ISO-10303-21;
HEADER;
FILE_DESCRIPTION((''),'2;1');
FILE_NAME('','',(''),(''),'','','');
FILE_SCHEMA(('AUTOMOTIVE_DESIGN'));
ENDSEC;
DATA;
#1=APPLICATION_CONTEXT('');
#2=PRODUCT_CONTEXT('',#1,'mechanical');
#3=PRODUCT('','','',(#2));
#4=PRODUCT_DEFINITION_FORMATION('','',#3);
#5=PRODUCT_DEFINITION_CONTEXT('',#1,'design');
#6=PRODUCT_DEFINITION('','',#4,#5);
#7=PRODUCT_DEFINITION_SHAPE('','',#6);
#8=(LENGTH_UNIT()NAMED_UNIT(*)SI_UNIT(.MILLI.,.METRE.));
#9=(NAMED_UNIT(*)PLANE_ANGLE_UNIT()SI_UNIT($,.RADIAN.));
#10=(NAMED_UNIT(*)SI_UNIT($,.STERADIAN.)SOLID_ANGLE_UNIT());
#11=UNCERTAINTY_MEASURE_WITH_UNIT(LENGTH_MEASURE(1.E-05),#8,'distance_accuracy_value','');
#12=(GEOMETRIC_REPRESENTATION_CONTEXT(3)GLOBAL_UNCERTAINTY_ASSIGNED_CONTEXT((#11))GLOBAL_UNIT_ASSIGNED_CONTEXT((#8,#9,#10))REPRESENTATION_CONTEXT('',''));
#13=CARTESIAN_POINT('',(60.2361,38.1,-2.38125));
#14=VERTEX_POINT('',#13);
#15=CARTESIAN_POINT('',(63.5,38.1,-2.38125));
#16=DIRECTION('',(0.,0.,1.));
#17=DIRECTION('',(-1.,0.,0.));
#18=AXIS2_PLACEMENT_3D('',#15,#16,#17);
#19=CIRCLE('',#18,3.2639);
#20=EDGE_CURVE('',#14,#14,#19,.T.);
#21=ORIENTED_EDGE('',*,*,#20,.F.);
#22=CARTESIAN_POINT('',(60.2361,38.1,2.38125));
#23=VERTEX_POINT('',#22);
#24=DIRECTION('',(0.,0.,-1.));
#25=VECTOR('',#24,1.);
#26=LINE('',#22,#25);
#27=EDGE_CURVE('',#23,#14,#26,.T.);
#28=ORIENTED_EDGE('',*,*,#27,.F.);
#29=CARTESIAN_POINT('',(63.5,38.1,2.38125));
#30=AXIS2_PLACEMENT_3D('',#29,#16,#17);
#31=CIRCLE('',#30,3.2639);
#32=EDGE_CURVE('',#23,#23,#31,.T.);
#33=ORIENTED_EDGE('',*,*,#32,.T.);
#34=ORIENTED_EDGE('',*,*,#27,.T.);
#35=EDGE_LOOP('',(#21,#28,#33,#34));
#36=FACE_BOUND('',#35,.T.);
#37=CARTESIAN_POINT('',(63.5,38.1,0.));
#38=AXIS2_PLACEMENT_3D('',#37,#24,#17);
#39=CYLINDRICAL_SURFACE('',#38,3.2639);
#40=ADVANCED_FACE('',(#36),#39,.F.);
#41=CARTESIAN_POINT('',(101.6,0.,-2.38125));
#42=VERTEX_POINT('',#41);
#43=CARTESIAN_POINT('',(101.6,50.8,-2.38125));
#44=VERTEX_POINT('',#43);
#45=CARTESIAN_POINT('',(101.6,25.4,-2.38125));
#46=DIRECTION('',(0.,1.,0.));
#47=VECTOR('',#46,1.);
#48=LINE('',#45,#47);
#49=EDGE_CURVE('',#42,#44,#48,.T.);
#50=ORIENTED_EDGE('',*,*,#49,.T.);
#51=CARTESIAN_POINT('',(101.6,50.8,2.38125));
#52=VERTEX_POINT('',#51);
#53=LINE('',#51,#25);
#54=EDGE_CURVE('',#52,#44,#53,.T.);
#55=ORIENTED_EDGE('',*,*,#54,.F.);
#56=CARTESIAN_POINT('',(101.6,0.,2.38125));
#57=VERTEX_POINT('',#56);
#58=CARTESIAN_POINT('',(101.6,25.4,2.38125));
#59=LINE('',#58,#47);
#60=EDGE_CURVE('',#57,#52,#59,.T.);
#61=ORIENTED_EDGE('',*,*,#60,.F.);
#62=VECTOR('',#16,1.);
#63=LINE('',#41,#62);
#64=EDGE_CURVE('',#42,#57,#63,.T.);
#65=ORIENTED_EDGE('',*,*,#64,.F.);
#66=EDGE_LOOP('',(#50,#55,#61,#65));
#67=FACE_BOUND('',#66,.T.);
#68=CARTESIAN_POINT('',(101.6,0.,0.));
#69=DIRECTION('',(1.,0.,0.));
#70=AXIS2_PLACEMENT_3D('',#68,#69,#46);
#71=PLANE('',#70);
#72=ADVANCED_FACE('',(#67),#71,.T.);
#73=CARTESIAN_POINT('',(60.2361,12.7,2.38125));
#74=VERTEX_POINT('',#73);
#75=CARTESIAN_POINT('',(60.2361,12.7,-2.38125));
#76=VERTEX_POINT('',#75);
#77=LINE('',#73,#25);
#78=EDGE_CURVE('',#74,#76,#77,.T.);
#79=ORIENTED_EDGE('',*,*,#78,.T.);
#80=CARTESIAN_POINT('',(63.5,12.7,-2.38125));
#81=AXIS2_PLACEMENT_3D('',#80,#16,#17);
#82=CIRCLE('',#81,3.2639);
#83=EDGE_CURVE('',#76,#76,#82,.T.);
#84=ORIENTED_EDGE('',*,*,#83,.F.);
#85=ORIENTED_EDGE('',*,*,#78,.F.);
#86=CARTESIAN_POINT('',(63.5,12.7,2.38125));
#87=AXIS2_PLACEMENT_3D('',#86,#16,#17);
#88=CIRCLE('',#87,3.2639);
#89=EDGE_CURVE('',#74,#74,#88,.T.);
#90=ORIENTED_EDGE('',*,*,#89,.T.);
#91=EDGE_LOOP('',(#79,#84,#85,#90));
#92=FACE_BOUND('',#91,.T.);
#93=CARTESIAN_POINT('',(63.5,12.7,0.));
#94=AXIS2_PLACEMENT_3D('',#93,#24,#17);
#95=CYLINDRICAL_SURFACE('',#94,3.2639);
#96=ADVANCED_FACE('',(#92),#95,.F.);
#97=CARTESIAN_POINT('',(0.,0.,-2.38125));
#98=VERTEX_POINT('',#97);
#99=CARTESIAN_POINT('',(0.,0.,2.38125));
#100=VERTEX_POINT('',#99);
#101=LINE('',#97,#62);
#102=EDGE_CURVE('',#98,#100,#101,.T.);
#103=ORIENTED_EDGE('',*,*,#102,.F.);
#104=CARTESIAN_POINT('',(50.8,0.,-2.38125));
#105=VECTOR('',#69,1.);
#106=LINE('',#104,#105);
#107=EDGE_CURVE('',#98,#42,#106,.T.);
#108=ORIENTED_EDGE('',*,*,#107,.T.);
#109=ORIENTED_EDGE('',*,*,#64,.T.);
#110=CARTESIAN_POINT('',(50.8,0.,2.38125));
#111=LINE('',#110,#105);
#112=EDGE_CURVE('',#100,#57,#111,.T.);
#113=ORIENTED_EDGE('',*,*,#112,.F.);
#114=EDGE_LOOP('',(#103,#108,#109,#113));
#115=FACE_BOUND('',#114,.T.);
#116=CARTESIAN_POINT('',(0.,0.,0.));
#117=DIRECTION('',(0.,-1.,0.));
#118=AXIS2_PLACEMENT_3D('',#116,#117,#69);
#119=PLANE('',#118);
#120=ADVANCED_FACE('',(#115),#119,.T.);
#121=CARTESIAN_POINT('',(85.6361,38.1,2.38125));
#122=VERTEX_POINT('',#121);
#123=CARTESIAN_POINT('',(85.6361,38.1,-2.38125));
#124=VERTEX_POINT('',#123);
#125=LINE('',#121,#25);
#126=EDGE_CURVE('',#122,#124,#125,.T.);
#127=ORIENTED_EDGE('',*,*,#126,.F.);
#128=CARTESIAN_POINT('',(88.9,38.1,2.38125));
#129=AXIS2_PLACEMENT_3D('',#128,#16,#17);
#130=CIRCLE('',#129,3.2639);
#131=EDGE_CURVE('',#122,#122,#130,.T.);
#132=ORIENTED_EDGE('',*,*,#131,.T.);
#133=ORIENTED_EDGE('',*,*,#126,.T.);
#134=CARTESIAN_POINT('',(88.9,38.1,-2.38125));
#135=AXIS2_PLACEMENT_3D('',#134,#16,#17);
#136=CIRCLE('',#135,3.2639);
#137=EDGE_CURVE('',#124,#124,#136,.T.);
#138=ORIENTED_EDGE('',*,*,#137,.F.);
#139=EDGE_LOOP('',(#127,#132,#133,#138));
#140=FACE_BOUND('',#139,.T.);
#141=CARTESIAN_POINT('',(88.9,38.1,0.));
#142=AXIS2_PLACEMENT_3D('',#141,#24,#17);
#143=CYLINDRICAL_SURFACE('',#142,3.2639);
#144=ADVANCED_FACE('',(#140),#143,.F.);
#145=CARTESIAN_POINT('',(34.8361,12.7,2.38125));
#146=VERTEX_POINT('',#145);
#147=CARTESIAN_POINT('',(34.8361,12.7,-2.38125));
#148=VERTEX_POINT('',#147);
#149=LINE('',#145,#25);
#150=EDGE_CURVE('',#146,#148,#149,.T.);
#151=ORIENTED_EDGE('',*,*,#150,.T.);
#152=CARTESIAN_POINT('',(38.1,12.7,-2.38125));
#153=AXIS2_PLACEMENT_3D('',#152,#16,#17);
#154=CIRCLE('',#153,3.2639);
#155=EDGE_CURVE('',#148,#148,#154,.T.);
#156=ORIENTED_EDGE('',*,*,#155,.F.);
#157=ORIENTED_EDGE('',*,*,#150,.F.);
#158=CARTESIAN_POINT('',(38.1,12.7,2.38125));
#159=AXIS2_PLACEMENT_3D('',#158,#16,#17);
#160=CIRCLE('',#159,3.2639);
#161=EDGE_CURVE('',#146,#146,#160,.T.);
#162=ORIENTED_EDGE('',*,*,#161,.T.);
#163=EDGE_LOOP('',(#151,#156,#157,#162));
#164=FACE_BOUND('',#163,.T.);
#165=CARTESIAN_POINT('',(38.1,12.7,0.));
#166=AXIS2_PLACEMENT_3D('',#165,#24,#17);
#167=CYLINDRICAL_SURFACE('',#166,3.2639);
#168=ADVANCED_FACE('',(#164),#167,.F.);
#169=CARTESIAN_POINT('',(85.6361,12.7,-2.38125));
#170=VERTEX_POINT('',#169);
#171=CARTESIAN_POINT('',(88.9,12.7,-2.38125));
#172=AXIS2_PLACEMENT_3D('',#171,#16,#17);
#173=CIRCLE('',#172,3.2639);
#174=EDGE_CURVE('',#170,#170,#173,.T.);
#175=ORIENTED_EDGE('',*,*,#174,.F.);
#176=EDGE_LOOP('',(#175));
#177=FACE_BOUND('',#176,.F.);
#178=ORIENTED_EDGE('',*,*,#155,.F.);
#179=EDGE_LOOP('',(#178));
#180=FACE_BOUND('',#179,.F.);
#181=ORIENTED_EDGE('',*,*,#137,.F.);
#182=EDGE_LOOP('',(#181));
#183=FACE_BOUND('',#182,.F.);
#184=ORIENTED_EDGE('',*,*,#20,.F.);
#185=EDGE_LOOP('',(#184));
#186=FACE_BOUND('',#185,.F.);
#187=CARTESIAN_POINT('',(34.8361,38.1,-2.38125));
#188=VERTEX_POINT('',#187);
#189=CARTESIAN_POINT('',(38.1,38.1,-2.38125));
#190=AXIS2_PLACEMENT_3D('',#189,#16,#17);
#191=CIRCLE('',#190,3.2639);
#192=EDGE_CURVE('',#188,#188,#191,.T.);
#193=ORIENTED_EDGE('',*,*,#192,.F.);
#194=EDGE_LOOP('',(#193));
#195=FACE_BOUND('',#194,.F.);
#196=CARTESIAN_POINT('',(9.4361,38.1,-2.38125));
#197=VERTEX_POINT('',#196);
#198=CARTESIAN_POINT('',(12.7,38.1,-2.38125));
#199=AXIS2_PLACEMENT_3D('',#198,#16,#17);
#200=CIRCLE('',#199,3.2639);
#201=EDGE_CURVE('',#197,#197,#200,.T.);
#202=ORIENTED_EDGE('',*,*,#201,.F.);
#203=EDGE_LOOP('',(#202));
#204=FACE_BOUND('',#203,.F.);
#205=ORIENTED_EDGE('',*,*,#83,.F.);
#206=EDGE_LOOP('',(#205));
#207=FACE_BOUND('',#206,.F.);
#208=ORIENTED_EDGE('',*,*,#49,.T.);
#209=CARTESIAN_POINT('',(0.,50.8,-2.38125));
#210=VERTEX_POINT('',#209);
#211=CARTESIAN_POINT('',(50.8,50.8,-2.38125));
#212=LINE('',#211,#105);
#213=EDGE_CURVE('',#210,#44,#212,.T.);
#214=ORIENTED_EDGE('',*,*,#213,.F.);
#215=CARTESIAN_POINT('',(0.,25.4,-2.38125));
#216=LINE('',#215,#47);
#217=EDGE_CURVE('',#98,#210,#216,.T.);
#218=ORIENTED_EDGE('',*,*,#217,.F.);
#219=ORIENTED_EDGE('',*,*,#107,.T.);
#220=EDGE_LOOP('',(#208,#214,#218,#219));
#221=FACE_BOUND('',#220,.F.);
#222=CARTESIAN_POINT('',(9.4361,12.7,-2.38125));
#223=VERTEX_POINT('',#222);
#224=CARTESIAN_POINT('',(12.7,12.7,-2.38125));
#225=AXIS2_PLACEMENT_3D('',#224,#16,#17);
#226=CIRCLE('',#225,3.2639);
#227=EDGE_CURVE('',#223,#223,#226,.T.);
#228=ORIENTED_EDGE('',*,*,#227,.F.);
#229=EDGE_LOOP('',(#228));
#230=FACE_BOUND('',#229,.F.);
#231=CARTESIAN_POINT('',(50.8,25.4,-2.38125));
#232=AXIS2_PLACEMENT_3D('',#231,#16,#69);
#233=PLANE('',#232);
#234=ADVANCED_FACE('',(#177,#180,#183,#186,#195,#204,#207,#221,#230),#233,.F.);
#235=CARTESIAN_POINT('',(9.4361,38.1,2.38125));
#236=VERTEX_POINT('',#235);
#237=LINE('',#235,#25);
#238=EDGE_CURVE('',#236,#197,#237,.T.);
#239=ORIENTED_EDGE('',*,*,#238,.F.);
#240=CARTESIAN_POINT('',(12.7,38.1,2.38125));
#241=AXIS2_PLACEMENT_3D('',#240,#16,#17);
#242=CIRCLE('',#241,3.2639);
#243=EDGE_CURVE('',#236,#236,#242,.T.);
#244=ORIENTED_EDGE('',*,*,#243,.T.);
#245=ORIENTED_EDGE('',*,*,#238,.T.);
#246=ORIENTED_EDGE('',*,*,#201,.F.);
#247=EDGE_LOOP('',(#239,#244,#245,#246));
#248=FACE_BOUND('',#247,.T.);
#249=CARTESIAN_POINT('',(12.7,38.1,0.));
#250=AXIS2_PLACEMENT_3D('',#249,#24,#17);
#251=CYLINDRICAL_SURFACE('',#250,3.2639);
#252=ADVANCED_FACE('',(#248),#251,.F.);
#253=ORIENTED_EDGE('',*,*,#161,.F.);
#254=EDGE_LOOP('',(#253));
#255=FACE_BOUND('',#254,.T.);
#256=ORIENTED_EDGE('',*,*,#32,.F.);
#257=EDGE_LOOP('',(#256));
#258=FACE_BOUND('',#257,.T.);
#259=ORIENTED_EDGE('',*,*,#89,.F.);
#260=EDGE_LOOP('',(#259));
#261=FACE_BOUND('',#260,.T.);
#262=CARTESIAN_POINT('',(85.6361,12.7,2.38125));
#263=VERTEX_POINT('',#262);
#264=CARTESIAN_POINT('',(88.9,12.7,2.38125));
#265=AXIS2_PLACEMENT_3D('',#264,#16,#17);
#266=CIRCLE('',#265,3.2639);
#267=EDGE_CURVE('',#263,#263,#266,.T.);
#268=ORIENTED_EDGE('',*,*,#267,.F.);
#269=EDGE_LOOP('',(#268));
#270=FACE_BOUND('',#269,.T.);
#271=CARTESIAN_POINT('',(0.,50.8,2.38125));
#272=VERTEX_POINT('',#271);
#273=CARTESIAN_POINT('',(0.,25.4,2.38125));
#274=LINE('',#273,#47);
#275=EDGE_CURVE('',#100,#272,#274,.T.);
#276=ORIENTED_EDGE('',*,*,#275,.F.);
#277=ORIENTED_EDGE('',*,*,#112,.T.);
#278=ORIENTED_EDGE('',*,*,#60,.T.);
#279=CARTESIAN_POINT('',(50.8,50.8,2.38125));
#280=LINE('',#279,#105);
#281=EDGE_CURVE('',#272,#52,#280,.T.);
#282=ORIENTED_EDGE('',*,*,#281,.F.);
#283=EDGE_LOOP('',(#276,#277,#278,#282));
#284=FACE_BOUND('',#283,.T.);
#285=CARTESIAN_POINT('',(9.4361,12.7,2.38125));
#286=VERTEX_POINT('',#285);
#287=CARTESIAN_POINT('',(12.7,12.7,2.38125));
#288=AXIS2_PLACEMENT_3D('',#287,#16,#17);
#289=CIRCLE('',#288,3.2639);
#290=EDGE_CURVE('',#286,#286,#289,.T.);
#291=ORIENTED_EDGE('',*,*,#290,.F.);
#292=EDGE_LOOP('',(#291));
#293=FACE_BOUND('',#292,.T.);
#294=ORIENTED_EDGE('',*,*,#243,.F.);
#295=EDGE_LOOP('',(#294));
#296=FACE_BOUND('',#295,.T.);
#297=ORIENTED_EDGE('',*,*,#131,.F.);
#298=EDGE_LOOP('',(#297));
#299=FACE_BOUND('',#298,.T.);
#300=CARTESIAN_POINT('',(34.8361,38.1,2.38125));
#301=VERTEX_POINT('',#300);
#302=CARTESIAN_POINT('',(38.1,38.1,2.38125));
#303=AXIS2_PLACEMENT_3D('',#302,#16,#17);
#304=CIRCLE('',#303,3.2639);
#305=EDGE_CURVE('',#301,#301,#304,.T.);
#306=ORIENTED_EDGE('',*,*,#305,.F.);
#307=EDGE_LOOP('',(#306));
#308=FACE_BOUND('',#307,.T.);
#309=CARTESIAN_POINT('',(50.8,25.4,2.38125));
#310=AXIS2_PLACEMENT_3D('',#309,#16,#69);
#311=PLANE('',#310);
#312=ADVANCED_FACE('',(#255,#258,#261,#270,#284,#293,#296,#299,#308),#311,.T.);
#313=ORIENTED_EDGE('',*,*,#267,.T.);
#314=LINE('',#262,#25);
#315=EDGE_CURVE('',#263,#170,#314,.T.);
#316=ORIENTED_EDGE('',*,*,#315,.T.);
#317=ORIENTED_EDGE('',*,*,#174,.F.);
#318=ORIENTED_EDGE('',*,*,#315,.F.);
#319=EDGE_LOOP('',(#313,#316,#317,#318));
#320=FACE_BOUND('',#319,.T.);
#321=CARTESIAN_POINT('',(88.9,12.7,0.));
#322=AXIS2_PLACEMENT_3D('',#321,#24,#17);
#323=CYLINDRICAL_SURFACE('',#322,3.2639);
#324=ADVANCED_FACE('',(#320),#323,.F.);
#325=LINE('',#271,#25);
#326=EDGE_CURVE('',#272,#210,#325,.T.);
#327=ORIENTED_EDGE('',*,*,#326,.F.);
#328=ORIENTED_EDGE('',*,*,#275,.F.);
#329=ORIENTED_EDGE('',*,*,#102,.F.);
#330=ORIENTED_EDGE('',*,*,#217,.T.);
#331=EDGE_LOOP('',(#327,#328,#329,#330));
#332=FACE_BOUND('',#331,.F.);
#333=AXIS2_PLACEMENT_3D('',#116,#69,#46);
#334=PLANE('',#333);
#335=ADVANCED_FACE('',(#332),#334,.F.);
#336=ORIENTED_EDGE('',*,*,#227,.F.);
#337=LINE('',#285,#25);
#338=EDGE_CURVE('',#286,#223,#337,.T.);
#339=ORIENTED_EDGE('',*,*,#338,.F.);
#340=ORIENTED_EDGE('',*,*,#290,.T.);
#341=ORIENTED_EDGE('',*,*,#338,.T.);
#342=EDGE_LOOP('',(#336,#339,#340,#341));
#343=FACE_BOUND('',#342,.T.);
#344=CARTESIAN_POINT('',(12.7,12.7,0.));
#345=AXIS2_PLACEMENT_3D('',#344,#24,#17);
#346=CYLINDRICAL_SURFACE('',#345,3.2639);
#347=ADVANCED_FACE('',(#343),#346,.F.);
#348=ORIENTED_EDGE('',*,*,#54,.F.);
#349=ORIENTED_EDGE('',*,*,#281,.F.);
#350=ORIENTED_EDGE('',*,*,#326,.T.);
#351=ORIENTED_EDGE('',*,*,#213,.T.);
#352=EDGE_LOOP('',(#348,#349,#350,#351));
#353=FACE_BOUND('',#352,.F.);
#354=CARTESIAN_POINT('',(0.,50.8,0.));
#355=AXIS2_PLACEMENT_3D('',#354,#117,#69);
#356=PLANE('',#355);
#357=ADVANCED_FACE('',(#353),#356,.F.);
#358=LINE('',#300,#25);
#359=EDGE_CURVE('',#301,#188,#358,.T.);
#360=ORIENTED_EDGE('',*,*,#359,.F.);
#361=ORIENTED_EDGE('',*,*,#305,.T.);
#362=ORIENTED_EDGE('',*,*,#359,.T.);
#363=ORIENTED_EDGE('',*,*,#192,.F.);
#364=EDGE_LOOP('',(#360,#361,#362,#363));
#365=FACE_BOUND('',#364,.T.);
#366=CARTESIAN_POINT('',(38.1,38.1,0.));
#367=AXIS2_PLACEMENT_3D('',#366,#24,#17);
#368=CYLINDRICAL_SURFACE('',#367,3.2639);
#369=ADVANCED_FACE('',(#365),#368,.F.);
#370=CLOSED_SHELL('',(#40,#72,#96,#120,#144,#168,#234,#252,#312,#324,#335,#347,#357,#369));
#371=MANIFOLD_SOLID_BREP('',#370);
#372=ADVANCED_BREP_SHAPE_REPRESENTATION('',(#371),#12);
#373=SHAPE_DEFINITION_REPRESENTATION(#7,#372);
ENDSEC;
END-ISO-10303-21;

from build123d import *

# Parameters (mm, degrees)
SKETCH1_W           = 101.6
SKETCH1_H           = 50.8
SKETCH1_R           = 3.2639
BOSS_EXTRUDE1_DEPTH = 2.38125


with BuildPart() as part:
    # Sketch1 → Boss-Extrude1 (new, symmetric)
    with BuildSketch(Plane.XY):
        with Locations((50.8, 25.4)):
            Rectangle(SKETCH1_W, SKETCH1_H)
        with Locations(Location((12.7, 12.7, 0), (0, 0, 180))):
            Circle(SKETCH1_R, mode=Mode.SUBTRACT)
        with Locations(Location((38.1, 12.7, 0), (0, 0, 180))):
            Circle(SKETCH1_R, mode=Mode.SUBTRACT)
        with Locations(Location((63.5, 12.7, 0), (0, 0, 180))):
            Circle(SKETCH1_R, mode=Mode.SUBTRACT)
        with Locations(Location((88.9, 12.7, 0), (0, 0, 180))):
            Circle(SKETCH1_R, mode=Mode.SUBTRACT)
        with Locations(Location((12.7, 38.1, 0), (0, 0, 180))):
            Circle(SKETCH1_R, mode=Mode.SUBTRACT)
        with Locations(Location((38.1, 38.1, 0), (0, 0, 180))):
            Circle(SKETCH1_R, mode=Mode.SUBTRACT)
        with Locations(Location((63.5, 38.1, 0), (0, 0, 180))):
            Circle(SKETCH1_R, mode=Mode.SUBTRACT)
        with Locations(Location((88.9, 38.1, 0), (0, 0, 180))):
            Circle(SKETCH1_R, mode=Mode.SUBTRACT)
    extrude(amount=BOSS_EXTRUDE1_DEPTH, both=True)


solid = part.part
